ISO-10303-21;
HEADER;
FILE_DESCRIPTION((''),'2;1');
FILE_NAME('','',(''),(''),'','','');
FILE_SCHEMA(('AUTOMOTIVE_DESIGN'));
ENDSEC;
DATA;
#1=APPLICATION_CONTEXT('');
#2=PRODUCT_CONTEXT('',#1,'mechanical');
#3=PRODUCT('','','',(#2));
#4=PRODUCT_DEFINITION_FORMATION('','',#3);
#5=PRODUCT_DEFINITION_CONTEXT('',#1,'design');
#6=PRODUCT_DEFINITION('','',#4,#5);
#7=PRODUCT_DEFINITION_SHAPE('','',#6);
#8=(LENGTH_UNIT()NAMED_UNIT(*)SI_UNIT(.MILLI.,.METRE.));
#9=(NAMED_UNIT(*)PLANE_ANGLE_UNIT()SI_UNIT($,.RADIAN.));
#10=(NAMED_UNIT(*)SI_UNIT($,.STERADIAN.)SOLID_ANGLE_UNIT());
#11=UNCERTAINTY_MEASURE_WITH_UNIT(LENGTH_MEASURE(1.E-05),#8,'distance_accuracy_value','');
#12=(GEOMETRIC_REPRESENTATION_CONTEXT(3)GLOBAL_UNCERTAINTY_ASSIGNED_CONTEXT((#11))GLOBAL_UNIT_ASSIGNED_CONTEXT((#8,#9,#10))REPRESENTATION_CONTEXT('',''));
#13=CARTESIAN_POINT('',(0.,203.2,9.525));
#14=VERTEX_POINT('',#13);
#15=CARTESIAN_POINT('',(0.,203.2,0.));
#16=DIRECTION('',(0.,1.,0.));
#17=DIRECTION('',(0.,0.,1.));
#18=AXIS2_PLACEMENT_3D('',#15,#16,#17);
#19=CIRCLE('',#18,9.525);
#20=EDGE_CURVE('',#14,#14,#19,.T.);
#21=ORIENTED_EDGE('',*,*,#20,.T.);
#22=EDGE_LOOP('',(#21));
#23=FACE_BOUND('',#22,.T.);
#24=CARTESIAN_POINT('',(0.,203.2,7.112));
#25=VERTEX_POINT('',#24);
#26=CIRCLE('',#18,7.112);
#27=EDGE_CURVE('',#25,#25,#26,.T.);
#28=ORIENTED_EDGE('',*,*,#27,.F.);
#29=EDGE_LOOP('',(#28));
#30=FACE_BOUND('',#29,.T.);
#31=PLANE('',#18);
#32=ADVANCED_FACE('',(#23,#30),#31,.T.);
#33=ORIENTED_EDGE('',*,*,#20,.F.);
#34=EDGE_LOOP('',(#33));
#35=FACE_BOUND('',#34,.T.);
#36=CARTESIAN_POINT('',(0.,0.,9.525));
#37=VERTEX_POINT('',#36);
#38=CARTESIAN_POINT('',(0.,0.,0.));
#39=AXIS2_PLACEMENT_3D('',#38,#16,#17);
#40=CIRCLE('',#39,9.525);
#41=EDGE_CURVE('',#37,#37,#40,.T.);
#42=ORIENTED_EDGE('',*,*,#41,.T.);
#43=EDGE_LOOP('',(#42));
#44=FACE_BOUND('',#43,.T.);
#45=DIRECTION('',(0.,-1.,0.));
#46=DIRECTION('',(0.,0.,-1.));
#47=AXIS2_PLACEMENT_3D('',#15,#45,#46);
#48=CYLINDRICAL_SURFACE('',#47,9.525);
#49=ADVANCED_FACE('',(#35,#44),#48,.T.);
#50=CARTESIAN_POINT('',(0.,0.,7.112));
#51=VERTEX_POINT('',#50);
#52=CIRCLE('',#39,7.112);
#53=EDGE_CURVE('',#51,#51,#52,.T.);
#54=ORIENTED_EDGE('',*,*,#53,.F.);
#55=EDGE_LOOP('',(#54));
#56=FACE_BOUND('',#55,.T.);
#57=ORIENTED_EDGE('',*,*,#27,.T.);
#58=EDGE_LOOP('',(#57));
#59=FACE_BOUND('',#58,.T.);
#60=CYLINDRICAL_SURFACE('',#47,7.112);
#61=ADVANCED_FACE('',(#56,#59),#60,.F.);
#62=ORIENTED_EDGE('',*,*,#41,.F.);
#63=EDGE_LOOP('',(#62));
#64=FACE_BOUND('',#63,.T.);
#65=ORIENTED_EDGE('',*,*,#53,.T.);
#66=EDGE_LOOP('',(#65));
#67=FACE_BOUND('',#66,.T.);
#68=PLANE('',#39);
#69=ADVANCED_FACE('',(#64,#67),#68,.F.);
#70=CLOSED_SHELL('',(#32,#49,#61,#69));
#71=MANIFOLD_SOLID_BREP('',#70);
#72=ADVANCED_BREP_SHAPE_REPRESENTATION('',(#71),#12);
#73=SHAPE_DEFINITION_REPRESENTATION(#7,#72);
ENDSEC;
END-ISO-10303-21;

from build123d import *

# Parameters (mm, degrees)
SKETCH1_R           = 9.525
SKETCH1_R_2         = 7.112
BOSS_EXTRUDE1_DEPTH = 203.2


with BuildPart() as part:
    # Sketch1 → Boss-Extrude1 (new body)
    with BuildSketch(Plane(origin=(0, 0, 0), x_dir=(1, 0, 0), z_dir=(0, 1, 0))):
        with Locations(Location((0, 0, 0), (0, 0, 270))):
            Circle(SKETCH1_R)
        with Locations(Location((0, 0, 0), (0, 0, 270))):
            Circle(SKETCH1_R_2, mode=Mode.SUBTRACT)
    extrude(amount=BOSS_EXTRUDE1_DEPTH)


solid = part.part
